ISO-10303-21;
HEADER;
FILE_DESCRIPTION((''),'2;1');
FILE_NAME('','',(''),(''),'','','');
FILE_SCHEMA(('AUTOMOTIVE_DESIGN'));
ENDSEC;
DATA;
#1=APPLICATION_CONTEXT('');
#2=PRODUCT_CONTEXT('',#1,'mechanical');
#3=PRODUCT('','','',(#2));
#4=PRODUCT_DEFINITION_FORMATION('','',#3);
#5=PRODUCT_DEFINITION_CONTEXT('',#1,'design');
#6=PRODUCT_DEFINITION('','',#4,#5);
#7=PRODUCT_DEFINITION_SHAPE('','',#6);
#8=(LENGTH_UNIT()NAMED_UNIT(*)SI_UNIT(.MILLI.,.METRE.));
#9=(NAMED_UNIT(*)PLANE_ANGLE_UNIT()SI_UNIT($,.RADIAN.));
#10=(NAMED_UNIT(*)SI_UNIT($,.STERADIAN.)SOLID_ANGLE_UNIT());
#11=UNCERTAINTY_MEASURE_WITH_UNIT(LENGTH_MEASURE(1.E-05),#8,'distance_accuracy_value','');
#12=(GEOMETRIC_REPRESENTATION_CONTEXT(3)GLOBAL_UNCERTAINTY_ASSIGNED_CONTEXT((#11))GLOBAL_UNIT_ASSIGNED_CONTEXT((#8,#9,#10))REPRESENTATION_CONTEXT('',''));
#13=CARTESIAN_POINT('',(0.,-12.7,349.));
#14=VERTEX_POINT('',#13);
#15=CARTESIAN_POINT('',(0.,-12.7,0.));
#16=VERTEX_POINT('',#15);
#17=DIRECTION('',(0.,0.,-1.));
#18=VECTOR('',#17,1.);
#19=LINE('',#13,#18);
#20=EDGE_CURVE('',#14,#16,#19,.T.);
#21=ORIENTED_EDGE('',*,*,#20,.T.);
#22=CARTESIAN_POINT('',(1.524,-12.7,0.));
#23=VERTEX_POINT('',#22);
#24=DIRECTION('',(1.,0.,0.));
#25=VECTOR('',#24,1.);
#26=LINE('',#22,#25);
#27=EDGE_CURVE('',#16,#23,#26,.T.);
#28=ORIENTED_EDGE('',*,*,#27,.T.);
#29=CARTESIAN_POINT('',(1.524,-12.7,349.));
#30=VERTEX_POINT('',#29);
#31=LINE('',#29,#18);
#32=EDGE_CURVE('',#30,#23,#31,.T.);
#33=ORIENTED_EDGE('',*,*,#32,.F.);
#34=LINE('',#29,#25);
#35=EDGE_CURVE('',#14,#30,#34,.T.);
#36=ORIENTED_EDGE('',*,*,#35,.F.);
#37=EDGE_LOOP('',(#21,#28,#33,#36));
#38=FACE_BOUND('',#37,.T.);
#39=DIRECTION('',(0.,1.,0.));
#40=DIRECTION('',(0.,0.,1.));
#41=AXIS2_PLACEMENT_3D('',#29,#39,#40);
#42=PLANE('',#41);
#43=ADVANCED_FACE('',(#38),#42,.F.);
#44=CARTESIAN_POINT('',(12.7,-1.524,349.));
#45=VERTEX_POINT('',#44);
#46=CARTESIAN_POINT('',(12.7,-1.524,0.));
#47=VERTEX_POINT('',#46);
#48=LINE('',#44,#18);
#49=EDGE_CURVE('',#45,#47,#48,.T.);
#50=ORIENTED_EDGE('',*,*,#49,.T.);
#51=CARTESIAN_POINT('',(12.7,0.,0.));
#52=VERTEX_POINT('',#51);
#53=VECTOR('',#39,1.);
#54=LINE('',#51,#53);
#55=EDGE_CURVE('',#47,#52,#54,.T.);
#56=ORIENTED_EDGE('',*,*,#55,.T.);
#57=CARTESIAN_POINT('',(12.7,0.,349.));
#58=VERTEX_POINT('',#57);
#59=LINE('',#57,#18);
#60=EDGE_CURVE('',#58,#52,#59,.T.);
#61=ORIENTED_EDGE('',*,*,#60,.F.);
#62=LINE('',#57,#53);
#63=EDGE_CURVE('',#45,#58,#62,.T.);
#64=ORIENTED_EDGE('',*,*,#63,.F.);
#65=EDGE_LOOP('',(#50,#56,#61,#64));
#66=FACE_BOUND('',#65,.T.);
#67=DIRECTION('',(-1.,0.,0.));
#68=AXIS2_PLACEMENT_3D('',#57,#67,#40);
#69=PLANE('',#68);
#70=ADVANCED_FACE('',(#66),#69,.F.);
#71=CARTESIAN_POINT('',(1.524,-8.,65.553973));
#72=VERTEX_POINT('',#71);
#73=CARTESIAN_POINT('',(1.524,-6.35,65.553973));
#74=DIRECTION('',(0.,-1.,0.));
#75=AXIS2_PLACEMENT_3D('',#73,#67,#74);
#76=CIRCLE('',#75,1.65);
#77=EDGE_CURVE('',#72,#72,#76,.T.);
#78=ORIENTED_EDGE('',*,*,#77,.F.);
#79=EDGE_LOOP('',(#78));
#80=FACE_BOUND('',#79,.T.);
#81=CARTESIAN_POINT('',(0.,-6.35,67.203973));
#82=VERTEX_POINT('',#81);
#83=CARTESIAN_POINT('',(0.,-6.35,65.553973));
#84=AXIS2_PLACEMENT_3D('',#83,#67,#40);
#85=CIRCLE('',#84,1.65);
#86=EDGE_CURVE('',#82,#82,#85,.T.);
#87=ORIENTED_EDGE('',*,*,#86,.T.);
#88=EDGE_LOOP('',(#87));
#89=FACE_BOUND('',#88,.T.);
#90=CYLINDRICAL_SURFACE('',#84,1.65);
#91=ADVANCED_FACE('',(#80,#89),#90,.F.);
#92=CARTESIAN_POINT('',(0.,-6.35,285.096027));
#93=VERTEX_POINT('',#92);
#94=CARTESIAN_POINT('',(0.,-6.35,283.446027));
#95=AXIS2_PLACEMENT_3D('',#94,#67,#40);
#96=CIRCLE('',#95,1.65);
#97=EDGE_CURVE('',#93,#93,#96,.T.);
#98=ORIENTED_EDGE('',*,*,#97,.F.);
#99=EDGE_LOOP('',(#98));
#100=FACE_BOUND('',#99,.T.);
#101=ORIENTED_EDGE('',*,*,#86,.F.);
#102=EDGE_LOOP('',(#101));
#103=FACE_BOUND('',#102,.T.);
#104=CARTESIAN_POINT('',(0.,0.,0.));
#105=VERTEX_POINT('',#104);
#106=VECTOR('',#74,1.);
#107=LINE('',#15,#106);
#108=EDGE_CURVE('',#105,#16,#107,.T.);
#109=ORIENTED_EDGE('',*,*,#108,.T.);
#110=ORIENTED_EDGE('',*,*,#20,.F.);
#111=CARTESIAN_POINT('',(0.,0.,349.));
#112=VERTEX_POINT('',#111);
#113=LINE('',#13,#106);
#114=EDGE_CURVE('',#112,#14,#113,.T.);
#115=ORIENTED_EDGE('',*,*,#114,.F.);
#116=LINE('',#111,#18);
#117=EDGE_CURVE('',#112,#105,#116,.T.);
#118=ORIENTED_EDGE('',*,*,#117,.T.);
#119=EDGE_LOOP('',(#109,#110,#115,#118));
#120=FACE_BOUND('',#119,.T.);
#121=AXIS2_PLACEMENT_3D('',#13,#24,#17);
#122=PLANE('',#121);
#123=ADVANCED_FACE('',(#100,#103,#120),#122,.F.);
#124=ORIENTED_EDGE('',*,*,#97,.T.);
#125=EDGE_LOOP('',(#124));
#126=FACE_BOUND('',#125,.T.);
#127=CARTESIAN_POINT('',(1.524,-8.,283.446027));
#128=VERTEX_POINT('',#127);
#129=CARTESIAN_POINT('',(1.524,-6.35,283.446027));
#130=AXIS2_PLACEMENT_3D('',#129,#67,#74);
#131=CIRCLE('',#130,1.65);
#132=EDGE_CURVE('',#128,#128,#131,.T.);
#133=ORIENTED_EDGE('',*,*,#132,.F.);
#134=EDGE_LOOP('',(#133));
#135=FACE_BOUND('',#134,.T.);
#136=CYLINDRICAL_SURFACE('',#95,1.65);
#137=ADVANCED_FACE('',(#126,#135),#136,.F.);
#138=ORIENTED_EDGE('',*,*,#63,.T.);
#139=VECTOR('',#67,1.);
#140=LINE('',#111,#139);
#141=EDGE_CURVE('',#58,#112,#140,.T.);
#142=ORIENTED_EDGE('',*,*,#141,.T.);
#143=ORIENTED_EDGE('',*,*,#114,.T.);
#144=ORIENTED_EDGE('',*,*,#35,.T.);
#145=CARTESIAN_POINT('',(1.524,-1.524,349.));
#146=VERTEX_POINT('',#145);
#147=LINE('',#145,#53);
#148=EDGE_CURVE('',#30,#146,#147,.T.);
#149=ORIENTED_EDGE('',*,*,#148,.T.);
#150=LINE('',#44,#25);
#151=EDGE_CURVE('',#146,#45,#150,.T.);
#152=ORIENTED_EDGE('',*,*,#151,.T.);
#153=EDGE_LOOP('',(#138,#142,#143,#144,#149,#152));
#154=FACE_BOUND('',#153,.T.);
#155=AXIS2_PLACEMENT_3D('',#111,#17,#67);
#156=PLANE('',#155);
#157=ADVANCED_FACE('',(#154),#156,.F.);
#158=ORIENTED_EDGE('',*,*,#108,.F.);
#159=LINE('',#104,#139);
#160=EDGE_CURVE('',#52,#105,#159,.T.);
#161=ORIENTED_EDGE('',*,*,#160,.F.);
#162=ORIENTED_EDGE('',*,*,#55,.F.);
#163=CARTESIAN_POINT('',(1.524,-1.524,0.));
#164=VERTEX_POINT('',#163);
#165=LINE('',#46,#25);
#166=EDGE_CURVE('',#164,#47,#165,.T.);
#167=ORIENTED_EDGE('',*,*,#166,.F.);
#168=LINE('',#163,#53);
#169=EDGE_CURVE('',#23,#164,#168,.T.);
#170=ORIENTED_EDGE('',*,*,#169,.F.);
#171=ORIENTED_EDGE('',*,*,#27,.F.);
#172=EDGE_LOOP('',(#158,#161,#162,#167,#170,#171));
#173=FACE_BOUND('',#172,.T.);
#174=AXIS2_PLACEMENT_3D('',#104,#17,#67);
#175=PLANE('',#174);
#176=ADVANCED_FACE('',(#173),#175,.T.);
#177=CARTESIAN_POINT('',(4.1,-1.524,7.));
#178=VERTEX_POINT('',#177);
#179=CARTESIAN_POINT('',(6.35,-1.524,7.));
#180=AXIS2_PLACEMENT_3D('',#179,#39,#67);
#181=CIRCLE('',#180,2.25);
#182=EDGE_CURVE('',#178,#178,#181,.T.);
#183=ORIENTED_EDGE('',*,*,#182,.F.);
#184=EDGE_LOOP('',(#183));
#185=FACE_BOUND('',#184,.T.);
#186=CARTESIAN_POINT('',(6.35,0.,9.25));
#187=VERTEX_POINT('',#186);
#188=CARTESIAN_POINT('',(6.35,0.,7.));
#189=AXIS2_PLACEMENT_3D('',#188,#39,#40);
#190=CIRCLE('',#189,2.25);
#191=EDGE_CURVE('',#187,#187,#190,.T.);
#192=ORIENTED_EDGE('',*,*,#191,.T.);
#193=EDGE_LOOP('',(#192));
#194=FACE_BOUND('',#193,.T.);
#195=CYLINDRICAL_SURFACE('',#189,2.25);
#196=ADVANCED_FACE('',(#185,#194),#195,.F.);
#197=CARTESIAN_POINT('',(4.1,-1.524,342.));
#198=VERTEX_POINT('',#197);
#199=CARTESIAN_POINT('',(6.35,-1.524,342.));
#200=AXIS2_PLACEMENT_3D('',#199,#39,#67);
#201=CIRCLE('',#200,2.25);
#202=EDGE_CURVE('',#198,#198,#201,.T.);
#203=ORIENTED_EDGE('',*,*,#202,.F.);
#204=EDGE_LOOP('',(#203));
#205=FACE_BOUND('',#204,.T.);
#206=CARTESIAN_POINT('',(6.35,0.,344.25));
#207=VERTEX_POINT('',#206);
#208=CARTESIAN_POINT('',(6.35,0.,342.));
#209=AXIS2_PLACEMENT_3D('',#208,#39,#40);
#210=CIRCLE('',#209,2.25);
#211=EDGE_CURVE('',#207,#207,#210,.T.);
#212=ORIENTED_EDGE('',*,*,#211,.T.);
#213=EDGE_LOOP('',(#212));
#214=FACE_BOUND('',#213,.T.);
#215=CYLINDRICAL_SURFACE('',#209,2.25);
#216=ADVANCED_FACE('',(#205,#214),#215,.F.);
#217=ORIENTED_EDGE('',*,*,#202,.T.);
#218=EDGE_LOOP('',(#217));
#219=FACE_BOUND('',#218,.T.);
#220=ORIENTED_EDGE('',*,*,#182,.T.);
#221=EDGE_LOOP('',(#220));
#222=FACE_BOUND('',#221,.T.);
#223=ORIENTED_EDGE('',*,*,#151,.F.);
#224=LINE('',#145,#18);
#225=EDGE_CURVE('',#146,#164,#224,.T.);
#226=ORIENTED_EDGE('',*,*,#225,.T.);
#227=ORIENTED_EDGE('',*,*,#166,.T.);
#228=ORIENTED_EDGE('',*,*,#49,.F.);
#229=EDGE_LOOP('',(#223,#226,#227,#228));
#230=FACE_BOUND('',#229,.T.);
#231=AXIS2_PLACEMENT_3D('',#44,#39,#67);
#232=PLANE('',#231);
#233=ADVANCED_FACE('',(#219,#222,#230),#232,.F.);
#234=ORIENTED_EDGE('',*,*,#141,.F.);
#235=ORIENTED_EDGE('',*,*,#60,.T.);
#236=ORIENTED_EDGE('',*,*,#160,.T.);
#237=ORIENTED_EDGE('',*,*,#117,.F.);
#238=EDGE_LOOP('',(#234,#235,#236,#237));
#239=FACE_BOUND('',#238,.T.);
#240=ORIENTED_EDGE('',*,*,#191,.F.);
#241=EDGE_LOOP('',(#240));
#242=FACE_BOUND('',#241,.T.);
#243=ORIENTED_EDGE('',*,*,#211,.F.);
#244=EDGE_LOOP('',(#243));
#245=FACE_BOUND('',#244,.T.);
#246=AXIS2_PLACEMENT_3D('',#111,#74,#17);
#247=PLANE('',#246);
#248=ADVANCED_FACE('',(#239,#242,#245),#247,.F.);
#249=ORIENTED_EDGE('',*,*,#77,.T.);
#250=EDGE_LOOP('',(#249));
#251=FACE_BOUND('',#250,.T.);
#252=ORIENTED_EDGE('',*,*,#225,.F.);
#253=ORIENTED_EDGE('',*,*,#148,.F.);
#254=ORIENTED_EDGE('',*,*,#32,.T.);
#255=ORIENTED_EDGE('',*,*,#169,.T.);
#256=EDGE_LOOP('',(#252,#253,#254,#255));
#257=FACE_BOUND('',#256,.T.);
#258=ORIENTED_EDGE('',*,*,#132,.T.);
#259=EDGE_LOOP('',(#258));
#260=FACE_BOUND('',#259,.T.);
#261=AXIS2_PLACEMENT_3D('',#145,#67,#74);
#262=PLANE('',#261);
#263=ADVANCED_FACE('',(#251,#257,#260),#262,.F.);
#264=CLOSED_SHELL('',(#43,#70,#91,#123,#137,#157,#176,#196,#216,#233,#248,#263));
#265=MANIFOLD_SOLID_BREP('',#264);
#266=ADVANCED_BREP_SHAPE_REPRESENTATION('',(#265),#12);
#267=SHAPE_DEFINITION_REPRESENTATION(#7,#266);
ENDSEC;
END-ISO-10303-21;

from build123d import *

# Parameters (mm, degrees)
BOSS_EXTRUDE1_DEPTH   = 349
M4_CLEARANCE_HOLE1_D  = 4.5
M4X0_7_TAPPED_HOLE1_D = 3.3


with BuildPart() as part:
    # Sketch1 → Boss-Extrude1 (new body)
    with BuildSketch(Plane.XY):
        Polygon((0, 0), (12.7, 0), (12.7, -1.524), (1.524, -1.524), (1.524, -12.7), (0, -12.7), align=None)
    extrude(amount=BOSS_EXTRUDE1_DEPTH)

    # M4 Clearance Hole1 (through all)
    with Locations(Plane(origin=(0, 0, 0), x_dir=(1, 0, 0), z_dir=(0, 1, 0))):
        with Locations((6.35, -7), (6.35, -342)):
            Hole(M4_CLEARANCE_HOLE1_D / 2)

    # M4x0.7 Tapped Hole1 (through all)
    with Locations(Plane.ZY):
        with Locations((65.553973, -6.35), (283.446027, -6.35)):
            Hole(M4X0_7_TAPPED_HOLE1_D / 2)


solid = part.part
